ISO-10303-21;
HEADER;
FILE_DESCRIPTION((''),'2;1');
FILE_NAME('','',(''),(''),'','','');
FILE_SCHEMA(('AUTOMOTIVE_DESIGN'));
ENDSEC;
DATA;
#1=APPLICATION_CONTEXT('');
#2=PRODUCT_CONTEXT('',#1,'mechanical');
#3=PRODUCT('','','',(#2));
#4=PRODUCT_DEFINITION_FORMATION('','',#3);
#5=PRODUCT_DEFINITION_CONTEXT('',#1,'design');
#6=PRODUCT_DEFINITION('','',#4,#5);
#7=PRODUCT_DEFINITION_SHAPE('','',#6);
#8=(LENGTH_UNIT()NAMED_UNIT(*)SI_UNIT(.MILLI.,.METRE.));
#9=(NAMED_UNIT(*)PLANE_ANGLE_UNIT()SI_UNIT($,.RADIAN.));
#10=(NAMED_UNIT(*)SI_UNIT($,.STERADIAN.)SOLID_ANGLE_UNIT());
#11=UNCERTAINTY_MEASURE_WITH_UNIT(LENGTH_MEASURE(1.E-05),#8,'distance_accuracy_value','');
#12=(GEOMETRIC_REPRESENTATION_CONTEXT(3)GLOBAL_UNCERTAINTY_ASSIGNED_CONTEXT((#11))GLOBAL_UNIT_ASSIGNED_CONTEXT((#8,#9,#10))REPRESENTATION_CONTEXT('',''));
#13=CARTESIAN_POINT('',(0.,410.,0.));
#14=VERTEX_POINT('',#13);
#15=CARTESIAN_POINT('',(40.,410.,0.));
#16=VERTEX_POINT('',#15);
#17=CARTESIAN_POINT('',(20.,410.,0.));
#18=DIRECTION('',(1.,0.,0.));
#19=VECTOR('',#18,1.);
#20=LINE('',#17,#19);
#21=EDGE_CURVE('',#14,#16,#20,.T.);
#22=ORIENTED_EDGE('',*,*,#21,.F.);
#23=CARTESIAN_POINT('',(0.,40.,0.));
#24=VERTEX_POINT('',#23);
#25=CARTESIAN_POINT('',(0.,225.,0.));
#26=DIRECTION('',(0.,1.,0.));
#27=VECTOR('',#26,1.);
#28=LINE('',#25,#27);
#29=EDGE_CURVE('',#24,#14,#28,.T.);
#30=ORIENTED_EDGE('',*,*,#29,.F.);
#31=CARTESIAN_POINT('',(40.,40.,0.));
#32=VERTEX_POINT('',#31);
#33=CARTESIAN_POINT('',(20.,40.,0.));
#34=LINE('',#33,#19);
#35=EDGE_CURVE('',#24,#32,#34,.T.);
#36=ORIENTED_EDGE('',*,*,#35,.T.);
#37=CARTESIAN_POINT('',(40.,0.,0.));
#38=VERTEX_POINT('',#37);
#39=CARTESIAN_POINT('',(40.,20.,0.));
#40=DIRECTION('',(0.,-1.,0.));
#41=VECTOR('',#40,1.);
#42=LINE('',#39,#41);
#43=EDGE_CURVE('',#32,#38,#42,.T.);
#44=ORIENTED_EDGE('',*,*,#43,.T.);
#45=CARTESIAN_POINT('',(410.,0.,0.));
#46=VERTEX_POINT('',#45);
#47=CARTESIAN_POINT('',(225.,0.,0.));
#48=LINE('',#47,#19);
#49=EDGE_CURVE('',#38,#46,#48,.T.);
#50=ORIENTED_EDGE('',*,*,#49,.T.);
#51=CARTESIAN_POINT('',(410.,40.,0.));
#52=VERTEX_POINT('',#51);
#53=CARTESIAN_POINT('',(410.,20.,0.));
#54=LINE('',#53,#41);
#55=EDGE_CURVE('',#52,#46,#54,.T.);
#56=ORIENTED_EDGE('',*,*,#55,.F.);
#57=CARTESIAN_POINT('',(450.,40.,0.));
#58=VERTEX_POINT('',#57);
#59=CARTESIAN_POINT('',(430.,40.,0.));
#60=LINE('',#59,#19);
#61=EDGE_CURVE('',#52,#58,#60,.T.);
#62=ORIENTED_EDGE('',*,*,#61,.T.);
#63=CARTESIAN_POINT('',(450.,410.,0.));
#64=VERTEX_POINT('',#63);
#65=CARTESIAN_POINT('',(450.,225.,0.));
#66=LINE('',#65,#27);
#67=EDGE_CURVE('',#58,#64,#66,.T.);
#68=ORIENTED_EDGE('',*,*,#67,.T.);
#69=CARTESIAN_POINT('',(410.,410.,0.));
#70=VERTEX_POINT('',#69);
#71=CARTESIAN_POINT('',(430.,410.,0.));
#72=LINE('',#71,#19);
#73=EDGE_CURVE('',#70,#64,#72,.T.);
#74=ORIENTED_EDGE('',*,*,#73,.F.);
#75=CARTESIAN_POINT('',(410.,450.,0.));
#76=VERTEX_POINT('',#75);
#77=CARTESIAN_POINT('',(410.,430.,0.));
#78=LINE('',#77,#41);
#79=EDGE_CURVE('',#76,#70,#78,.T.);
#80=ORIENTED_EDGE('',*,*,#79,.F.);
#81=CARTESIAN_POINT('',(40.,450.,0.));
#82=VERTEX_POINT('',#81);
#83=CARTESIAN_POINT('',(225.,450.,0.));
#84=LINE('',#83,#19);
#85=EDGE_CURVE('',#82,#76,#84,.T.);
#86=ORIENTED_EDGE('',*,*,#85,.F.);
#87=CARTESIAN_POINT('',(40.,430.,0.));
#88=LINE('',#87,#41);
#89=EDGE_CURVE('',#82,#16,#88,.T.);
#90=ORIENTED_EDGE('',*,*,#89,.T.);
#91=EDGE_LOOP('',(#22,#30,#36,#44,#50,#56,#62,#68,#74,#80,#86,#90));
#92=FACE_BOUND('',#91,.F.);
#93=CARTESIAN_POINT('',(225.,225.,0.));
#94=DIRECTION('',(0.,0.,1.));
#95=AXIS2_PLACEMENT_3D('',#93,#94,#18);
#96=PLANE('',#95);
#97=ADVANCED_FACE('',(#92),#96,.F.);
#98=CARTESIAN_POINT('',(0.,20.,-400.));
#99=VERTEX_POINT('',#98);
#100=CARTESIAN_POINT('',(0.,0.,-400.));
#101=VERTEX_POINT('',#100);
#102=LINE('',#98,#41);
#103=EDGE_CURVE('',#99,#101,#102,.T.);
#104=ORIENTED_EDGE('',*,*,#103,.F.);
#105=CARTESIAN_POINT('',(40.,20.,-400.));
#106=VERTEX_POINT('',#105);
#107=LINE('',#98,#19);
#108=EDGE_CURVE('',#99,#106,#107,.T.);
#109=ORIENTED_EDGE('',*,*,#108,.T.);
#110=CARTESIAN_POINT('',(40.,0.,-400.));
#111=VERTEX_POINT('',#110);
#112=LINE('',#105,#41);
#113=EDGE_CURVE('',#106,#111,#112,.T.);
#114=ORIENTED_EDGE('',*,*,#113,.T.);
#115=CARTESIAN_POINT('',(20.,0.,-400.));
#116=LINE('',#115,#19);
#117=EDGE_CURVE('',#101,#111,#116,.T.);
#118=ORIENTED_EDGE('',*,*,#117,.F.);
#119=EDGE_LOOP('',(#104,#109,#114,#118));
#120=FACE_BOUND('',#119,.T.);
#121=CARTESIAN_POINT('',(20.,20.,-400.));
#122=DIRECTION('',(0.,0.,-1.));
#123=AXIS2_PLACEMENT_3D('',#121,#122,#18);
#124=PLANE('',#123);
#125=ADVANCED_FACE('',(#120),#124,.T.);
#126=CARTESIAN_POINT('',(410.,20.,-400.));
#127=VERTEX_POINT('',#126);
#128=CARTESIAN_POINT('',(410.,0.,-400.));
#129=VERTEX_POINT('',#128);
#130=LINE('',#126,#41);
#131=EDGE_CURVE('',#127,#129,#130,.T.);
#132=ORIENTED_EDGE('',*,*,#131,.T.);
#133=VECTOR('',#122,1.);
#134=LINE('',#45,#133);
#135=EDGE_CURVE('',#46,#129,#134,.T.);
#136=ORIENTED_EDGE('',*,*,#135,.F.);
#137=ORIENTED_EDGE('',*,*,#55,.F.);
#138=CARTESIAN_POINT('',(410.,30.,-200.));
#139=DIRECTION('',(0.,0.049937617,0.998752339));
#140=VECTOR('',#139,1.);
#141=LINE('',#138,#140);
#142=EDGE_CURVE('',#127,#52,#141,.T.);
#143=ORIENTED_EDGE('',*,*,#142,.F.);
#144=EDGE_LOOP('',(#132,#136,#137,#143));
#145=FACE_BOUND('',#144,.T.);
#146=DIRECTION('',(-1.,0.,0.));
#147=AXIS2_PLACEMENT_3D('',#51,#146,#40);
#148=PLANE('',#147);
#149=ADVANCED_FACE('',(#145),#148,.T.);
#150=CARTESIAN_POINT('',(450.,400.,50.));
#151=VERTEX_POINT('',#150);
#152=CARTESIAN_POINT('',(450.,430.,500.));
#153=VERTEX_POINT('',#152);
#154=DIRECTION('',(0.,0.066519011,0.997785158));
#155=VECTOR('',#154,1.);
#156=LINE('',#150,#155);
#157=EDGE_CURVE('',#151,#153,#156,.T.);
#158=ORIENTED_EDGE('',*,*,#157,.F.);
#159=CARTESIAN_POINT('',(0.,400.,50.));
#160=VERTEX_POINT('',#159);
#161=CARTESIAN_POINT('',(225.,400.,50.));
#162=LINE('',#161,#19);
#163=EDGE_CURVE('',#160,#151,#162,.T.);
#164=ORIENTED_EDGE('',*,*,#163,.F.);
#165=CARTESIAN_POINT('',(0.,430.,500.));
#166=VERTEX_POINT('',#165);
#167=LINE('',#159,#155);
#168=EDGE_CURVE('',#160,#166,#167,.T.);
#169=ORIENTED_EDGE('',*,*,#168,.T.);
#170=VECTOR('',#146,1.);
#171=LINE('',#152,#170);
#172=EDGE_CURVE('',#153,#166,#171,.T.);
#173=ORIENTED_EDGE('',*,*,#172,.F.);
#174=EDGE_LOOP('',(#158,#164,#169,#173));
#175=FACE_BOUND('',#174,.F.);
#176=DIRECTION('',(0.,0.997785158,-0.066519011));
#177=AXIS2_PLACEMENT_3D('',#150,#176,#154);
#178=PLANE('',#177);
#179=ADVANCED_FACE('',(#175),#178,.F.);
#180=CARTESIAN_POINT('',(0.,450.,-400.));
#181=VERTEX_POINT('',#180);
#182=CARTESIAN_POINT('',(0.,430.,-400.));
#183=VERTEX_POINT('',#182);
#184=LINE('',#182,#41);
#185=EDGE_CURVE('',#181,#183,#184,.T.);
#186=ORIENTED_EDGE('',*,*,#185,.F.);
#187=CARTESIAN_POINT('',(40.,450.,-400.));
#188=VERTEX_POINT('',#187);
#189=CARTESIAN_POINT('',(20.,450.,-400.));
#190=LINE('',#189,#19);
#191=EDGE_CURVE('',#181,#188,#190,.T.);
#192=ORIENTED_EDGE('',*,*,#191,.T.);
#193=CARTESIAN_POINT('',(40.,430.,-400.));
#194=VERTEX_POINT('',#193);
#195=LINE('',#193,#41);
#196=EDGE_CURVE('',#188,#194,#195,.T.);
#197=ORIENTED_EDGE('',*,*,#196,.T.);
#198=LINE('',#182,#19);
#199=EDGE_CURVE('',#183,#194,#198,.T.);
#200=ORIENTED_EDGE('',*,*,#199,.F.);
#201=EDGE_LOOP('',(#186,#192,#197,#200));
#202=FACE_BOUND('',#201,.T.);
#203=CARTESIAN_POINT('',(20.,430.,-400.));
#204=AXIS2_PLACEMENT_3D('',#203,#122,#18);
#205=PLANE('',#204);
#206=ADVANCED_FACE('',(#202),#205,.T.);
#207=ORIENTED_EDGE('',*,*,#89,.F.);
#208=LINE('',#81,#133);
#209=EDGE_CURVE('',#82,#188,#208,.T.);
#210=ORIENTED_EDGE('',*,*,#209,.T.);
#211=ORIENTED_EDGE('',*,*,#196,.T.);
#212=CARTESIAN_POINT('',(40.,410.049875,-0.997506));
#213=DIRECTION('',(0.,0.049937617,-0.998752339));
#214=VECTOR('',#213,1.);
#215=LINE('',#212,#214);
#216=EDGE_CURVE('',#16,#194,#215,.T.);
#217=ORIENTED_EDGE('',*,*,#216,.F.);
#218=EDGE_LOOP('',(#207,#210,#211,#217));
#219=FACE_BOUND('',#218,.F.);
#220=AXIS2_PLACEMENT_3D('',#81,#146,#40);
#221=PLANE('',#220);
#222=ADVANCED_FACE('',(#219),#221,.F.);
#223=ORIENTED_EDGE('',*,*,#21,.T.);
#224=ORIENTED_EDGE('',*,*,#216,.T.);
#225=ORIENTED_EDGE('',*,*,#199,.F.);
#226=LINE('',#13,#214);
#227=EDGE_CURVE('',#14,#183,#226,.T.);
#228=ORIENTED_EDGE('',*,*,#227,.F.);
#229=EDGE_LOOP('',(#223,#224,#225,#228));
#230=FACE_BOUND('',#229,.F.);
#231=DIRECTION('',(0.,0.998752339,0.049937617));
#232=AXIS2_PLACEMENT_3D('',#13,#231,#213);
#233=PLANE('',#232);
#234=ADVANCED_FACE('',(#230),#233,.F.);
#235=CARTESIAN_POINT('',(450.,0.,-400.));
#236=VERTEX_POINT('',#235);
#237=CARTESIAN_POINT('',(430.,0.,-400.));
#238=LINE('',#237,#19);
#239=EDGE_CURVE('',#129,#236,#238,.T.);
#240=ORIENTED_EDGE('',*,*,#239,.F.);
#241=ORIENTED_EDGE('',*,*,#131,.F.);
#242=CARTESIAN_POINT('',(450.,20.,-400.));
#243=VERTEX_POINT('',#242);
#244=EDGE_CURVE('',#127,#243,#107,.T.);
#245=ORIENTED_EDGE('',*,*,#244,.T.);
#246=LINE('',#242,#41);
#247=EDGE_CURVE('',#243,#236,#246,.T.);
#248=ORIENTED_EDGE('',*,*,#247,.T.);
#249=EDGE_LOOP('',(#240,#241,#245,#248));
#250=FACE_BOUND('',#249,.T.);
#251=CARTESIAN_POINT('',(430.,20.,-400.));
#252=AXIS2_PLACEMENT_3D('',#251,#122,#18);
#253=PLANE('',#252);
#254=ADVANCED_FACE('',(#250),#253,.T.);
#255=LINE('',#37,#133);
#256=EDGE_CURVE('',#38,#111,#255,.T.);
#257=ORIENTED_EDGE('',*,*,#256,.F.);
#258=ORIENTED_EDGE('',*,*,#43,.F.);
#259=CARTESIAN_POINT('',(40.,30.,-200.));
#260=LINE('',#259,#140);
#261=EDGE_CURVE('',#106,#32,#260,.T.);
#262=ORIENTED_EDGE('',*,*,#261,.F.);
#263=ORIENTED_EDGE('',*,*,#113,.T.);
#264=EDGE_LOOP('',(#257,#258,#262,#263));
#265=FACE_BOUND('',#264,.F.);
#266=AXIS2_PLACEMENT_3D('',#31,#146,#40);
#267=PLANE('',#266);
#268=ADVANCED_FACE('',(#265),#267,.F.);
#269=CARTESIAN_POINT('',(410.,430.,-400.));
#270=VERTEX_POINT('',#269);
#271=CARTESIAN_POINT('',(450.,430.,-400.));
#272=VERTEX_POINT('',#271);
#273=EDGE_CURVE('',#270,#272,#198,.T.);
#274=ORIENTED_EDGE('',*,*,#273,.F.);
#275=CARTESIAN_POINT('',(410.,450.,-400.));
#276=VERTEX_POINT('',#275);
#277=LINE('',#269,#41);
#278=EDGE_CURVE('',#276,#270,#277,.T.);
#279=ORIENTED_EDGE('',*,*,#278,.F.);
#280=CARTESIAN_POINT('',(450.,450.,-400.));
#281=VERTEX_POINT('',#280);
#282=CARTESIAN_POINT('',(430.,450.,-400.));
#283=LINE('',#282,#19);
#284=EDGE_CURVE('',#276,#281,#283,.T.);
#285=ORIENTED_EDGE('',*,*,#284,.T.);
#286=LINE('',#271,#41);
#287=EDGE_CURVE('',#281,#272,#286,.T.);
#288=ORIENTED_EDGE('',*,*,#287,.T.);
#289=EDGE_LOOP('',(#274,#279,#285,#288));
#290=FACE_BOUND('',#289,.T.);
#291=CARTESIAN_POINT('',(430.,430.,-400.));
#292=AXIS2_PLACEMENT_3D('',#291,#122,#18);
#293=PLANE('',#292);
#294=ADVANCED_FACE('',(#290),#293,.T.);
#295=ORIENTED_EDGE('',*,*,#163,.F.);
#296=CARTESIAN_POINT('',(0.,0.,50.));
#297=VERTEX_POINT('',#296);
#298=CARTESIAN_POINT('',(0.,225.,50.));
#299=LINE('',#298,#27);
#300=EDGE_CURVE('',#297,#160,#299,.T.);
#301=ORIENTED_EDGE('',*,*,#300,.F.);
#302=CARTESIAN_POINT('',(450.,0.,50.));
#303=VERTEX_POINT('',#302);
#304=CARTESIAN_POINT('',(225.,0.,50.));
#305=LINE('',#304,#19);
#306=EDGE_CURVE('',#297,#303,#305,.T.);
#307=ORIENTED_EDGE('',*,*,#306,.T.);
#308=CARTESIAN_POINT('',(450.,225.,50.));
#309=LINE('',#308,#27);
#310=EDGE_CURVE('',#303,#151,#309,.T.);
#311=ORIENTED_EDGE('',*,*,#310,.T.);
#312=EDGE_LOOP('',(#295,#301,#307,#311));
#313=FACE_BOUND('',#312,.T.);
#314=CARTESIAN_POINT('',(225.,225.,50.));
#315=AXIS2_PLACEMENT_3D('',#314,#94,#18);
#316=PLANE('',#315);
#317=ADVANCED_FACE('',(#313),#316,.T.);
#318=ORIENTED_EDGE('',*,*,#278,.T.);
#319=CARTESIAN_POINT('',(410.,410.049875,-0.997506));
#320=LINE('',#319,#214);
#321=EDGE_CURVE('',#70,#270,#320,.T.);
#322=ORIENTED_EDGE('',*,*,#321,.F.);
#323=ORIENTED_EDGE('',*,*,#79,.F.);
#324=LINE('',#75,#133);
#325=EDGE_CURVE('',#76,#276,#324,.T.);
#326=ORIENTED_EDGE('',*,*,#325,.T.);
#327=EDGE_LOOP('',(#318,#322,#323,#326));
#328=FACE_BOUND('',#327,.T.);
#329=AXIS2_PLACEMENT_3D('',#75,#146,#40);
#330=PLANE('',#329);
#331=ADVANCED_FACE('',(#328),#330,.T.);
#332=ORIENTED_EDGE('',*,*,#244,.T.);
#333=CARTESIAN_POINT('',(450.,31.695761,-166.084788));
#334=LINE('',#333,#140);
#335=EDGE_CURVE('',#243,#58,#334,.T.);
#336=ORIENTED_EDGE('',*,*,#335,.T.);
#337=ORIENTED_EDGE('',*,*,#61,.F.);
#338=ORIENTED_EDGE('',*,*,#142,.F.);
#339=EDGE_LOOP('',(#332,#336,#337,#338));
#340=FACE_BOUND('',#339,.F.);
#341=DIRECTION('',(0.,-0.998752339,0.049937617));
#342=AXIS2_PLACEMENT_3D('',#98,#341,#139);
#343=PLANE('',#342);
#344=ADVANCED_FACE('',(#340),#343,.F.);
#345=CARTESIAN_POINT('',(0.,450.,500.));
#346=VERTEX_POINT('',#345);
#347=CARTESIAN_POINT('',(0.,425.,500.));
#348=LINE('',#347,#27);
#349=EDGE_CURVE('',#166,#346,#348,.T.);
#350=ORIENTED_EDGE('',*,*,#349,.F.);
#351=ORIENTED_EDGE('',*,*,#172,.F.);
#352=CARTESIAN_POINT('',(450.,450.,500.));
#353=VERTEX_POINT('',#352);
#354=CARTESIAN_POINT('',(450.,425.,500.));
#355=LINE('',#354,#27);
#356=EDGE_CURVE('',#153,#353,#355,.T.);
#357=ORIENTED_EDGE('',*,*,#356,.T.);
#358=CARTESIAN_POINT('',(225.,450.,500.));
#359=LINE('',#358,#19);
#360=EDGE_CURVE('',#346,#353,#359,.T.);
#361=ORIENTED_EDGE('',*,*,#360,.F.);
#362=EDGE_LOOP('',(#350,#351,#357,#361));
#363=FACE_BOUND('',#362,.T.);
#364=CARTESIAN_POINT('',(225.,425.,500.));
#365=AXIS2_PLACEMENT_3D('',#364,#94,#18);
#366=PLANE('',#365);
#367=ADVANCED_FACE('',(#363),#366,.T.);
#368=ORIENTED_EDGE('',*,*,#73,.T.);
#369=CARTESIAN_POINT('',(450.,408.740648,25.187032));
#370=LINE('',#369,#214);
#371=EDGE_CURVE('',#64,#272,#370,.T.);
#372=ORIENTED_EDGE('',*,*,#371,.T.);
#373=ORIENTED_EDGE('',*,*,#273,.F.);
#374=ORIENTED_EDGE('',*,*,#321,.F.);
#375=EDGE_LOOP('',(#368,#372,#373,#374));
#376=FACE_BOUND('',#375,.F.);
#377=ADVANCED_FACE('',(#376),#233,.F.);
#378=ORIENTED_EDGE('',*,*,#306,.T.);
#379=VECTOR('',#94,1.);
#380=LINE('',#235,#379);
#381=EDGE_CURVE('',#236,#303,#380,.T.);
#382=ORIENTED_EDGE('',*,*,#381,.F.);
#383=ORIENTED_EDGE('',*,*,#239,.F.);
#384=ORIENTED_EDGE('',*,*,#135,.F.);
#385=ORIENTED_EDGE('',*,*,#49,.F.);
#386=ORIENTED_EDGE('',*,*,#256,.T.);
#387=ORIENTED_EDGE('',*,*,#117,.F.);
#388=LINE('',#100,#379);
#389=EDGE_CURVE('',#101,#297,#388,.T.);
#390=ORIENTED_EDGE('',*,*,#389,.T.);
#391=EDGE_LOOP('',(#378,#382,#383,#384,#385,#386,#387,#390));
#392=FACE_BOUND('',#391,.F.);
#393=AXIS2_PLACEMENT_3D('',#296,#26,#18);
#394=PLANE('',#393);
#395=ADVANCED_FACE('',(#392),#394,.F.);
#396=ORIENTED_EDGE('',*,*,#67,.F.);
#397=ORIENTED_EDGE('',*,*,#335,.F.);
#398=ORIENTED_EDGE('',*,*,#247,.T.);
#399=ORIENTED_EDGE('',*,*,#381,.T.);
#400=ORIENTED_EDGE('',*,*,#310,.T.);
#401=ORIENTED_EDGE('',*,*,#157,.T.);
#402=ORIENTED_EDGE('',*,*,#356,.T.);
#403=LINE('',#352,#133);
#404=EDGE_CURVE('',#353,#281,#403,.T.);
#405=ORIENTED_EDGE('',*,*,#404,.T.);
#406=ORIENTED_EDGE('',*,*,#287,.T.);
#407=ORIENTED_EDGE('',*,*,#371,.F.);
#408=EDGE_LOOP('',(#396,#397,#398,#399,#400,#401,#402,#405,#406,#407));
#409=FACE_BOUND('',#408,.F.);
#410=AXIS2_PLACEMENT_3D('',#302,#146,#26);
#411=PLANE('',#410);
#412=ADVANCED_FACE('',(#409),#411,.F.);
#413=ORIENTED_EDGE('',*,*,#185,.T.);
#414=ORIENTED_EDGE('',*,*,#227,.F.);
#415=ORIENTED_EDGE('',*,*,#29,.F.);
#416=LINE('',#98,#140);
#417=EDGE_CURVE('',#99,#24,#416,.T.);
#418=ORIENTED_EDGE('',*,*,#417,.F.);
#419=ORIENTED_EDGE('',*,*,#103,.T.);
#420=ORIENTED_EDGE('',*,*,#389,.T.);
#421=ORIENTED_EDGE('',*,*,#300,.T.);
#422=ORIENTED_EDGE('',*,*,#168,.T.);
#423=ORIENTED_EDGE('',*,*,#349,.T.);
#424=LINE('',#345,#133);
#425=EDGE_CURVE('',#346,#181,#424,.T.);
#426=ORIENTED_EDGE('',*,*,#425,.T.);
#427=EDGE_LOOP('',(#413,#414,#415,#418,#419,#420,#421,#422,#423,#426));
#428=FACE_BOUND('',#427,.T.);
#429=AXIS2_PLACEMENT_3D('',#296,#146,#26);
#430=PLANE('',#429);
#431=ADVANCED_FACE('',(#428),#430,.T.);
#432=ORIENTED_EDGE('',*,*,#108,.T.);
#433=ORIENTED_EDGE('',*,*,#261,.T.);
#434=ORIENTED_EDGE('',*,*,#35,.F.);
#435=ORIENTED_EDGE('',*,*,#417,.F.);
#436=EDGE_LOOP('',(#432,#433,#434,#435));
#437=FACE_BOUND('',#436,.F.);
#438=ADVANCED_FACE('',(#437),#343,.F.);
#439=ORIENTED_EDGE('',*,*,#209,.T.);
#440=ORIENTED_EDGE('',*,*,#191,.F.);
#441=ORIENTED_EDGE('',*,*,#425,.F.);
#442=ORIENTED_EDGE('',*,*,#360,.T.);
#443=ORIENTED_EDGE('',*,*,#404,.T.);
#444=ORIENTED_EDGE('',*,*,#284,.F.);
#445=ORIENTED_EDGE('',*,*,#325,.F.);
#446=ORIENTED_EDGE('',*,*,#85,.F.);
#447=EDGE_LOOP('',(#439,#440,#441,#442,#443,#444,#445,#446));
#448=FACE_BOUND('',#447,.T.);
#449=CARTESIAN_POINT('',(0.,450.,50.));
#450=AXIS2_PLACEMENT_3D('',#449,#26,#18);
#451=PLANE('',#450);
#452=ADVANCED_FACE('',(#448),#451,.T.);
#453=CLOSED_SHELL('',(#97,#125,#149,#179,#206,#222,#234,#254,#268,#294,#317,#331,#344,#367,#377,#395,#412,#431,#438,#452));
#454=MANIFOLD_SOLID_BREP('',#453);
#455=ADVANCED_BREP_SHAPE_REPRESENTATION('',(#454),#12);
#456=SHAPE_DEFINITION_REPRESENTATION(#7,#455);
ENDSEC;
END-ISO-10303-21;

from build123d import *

# Parameters (mm, degrees)
F0_W      = 450
F0_H      = 450
F1_DEPTH  = 50
F2_W      = 40
F2_H      = 40
F3_DEPTH  = 400
F4_W      = 40
F4_H      = 40
F5_DEPTH  = 400
F6_W      = 40
F6_H      = 40
F7_DEPTH  = 400
F8_W      = 40
F8_H      = 40
F9_DEPTH  = 400
F10_W     = 450
F10_H     = 50
F11_DEPTH = 450
F13_DEPTH = 450
F15_DEPTH = 450.001
F17_DEPTH = 450.001
F18_DEPTH = 100
F19_DEPTH = 100


with BuildPart() as f1:
    # F0 (on Top) → F1 (new body)
    with BuildSketch(Plane.XY):
        with Locations((225, 225)):
            Rectangle(F0_W, F0_H)
    extrude(amount=F1_DEPTH)

    # F2 (on face) → F3 (join)
    with BuildSketch(Plane(origin=(0, 0, 0), x_dir=(1, 0, 0), z_dir=(0, 0, -1))):
        with Locations((20, -430)):
            Rectangle(F2_W, F2_H)
    extrude(amount=F3_DEPTH)

    # F4 (on face) → F5 (join)
    with BuildSketch(Plane(origin=(0, 0, 0), x_dir=(1, 0, 0), z_dir=(0, 0, -1))):
        with Locations((20, -20)):
            Rectangle(F4_W, F4_H)
    extrude(amount=F5_DEPTH)

    # F6 (on face) → F7 (join)
    with BuildSketch(Plane(origin=(0, 0, 0), x_dir=(1, 0, 0), z_dir=(0, 0, -1))):
        with Locations((430, -430)):
            Rectangle(F6_W, F6_H)
    extrude(amount=F7_DEPTH)

    # F8 (on face) → F9 (join)
    with BuildSketch(Plane(origin=(0, 0, 0), x_dir=(1, 0, 0), z_dir=(0, 0, -1))):
        with Locations((430, -20)):
            Rectangle(F8_W, F8_H)
    extrude(amount=F9_DEPTH)

    # F10 (on face) → F11 (join)
    with BuildSketch(Plane.XY.offset(50)):
        with Locations((225, 425)):
            Rectangle(F10_W, F10_H)
    extrude(amount=F11_DEPTH)

    # F12 (on face) → F13 (cut)
    with BuildSketch(Plane.YZ.offset(450)):
        Polygon((400, 500), (400, 50), (430, 500), align=None)
    extrude(amount=-F13_DEPTH, mode=Mode.SUBTRACT)

    # F14 (on face) → F15 (cut, through all)
    with BuildSketch(Plane(origin=(0, 0, 0), x_dir=(0, -1, 0), z_dir=(-1, 0, 0))):
        Polygon((-410, -400), (-410, 0), (-430, -400), align=None)
    extrude(amount=-F15_DEPTH, mode=Mode.SUBTRACT)

    # F16 (on face) → F17 (cut, through all)
    with BuildSketch(Plane(origin=(0, 0, 0), x_dir=(0, -1, 0), z_dir=(-1, 0, 0))):
        Polygon((-20, -400), (-40, 0), (-40, -400), align=None)
    extrude(amount=-F17_DEPTH, mode=Mode.SUBTRACT)

    # F18 (add): a face of the model
    f18_faces = [f1.faces().sort_by_distance(p)[0] for p in [
        (225, 200, 50),
    ]]
    extrude(f18_faces, amount=F18_DEPTH)

    # F19 (cut): a face of the model
    f19_faces = [f1.faces().sort_by_distance(p)[0] for p in [
        (225, 200, 150),
    ]]
    extrude(f19_faces, amount=-F19_DEPTH, mode=Mode.SUBTRACT)


solid = f1.part
